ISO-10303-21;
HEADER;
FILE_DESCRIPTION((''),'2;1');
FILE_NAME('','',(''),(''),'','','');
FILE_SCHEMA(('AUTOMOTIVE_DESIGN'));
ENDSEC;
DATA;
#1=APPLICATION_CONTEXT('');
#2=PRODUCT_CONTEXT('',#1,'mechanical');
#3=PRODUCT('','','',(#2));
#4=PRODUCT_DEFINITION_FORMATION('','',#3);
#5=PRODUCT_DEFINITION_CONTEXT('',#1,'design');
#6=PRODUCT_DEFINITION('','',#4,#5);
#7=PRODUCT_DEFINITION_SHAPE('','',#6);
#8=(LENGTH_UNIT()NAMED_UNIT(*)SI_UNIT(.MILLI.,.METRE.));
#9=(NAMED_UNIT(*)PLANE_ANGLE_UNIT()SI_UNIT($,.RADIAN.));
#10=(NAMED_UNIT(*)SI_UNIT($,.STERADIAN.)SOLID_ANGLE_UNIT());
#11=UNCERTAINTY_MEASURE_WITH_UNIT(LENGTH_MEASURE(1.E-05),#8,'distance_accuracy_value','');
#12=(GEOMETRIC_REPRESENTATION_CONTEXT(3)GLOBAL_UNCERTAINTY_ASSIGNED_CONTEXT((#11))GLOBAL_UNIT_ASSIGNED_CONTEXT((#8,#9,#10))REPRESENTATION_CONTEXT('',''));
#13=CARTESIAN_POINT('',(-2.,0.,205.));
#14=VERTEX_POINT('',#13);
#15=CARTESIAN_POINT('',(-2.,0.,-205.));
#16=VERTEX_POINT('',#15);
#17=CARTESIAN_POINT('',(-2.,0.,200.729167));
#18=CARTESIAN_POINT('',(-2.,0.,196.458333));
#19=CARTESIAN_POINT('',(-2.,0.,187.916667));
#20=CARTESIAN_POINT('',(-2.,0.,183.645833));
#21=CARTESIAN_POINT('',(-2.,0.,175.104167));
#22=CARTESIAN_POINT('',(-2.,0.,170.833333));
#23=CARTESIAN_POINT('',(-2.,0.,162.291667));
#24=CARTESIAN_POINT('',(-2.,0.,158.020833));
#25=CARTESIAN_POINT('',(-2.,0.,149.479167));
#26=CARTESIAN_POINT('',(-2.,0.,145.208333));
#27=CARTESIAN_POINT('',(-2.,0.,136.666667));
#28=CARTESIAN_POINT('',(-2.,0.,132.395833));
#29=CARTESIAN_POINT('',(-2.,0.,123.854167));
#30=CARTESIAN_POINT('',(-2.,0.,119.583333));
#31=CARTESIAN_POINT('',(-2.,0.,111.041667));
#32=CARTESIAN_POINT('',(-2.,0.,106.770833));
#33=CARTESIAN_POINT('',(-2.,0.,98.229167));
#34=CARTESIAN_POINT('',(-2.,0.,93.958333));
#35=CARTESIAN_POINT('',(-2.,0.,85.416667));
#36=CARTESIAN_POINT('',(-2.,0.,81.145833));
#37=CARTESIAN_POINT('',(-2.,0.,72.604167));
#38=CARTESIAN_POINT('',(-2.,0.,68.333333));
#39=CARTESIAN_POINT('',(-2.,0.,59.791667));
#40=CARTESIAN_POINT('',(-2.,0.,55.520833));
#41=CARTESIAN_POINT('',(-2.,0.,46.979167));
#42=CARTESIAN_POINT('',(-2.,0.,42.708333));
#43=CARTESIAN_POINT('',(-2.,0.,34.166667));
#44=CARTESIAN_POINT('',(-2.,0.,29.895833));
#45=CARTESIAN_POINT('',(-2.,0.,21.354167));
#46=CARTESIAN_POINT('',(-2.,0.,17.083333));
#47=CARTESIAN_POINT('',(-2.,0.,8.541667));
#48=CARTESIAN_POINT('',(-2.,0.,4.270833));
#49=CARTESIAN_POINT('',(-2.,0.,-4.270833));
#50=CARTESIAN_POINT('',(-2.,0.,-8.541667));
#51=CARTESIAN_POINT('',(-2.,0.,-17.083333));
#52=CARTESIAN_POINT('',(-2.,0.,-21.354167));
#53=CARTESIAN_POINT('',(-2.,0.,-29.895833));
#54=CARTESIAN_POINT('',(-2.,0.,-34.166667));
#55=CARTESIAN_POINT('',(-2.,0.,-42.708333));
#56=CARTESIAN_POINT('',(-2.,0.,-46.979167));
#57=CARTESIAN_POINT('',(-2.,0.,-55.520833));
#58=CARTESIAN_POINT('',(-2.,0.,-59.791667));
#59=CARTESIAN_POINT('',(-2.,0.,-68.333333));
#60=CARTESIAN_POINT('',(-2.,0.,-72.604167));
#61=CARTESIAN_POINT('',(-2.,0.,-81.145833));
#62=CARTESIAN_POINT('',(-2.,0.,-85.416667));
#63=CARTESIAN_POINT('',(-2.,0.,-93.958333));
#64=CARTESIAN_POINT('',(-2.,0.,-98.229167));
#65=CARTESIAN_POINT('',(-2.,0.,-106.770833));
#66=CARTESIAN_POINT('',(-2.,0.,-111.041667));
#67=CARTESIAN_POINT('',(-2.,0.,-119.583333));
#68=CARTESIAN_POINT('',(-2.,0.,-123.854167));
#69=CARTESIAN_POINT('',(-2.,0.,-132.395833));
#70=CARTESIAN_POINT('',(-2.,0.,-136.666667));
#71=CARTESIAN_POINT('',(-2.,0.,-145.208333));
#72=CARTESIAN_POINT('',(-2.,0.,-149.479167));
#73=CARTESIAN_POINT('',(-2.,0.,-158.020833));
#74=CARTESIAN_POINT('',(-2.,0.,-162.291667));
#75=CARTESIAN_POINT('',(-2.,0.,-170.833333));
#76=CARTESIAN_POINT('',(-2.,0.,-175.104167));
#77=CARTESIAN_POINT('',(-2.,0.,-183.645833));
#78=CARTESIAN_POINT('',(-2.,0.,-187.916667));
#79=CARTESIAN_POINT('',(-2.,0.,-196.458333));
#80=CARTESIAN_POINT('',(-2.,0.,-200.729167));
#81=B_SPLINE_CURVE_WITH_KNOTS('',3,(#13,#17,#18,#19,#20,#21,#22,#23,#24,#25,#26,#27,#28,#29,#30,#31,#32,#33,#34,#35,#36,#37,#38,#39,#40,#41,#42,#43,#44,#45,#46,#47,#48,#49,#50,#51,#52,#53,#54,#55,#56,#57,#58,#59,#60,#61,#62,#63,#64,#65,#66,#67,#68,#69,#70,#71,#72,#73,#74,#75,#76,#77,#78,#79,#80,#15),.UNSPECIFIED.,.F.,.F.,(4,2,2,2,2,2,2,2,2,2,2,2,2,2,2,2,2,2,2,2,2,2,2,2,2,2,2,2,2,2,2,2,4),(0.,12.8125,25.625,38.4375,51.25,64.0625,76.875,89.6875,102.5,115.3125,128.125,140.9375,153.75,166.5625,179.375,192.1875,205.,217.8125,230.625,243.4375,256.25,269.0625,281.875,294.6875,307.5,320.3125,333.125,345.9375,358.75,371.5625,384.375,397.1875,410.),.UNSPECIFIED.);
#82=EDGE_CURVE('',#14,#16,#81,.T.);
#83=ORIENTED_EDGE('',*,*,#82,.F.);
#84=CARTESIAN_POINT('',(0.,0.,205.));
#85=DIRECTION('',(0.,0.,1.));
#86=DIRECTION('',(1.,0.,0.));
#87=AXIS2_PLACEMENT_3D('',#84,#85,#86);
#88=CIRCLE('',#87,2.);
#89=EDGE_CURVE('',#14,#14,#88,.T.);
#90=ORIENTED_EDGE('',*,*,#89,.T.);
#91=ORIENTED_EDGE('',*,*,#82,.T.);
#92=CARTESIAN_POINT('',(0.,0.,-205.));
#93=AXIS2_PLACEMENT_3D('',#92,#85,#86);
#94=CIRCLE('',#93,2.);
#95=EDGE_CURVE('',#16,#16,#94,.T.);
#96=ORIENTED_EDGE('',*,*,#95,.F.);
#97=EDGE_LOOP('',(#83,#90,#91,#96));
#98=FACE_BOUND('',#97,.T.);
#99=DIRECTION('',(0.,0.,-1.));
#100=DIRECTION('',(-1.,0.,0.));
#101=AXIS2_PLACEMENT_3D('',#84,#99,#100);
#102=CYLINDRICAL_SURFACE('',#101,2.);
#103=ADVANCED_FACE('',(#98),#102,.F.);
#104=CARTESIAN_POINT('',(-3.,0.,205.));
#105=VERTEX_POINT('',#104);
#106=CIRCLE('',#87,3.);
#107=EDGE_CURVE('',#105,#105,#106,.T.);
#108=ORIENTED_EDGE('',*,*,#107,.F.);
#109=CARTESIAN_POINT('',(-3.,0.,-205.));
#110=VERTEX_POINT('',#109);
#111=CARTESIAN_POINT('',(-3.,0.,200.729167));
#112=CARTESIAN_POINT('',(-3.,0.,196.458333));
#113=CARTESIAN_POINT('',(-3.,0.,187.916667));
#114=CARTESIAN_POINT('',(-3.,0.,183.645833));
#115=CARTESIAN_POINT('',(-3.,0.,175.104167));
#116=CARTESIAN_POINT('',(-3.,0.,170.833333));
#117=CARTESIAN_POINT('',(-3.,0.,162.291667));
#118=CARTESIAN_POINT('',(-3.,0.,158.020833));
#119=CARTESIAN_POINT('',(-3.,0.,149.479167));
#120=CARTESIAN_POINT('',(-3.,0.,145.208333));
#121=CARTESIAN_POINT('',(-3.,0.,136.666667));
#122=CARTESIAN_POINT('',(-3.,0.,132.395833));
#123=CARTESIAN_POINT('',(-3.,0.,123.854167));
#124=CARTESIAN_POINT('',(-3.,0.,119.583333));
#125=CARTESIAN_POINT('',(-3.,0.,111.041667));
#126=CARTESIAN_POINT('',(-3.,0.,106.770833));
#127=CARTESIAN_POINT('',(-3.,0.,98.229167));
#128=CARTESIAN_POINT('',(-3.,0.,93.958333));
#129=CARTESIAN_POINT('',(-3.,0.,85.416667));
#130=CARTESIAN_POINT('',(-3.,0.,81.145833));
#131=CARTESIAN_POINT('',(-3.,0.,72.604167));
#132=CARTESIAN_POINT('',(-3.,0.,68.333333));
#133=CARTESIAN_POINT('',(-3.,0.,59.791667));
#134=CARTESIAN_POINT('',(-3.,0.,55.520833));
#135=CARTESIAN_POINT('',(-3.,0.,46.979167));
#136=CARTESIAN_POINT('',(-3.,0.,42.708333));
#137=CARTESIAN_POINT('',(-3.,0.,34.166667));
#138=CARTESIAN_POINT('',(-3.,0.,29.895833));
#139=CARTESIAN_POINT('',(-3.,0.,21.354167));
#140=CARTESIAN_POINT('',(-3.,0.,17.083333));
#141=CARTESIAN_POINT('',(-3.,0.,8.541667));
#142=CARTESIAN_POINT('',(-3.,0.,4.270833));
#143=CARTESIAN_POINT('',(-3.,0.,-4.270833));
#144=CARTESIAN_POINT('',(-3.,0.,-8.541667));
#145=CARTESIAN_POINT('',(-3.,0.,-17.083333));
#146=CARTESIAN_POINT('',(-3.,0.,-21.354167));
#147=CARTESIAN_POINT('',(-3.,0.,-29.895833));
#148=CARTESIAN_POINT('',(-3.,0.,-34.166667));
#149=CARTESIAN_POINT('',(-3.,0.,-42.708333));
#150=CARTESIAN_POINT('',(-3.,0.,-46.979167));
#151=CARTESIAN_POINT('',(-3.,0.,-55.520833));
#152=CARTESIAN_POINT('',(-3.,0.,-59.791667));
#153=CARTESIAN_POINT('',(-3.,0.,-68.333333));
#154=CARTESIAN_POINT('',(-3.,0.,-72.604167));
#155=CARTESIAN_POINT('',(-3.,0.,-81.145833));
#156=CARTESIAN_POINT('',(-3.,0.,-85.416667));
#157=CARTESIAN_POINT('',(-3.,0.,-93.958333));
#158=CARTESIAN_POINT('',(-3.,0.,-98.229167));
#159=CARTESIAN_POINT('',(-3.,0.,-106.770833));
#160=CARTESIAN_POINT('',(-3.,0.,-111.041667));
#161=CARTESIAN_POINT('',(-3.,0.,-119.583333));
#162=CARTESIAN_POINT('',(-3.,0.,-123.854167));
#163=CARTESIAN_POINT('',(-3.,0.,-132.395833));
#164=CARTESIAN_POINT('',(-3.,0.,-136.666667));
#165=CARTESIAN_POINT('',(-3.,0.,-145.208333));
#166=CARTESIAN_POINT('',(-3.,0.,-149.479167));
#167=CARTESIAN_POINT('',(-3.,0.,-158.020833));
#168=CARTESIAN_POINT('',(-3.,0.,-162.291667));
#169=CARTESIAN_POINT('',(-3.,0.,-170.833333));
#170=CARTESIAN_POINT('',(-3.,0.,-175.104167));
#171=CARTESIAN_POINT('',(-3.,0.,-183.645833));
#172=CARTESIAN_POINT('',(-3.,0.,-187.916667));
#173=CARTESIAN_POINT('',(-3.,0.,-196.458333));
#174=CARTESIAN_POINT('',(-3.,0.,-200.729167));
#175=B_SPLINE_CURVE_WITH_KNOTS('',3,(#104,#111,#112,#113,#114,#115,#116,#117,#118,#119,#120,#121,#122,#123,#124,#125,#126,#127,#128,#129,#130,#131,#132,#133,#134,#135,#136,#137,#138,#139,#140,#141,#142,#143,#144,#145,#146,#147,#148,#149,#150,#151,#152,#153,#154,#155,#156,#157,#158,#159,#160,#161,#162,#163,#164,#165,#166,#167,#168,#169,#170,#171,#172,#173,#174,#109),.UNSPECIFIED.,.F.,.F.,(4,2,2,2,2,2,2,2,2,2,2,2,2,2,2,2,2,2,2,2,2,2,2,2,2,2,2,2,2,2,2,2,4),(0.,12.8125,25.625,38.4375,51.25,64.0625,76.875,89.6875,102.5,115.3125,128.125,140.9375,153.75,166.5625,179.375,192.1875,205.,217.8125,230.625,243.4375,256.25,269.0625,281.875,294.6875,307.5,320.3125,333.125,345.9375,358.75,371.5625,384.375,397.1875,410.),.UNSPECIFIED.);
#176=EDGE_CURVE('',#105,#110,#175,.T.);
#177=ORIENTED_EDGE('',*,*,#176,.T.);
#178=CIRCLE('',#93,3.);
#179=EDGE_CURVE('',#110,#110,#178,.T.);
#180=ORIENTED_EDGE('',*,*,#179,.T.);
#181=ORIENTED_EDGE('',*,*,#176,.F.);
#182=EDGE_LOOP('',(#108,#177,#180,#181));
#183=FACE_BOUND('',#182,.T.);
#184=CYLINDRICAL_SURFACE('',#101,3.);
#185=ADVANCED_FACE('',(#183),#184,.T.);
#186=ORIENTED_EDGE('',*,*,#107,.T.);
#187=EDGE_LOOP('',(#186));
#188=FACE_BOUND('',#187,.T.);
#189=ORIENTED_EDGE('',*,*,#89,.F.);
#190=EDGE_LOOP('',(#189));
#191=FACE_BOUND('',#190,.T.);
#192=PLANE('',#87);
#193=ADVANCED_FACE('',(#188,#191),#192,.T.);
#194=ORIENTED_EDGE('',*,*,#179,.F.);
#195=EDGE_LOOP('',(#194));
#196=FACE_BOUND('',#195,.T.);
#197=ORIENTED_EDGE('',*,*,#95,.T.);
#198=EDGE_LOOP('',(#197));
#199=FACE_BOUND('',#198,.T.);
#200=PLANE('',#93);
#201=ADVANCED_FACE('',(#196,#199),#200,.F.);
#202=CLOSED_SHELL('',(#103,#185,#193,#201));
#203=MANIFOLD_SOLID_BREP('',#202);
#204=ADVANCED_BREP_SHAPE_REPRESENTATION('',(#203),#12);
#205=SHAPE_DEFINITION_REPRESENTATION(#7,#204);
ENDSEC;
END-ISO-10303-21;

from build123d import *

# Parameters (mm, degrees)
SKETCH_1_R      = 3
SKETCH_1_R_2    = 2
EXTRUDE_1_DEPTH = 205


with BuildPart() as part:
    # Эскиз1 → Бобышка-Вытянуть1 (new, symmetric)
    with BuildSketch(Plane.XY):
        with Locations(Location((0, 0, 0), (0, 0, 180))):
            Circle(SKETCH_1_R)
        with Locations(Location((0, 0, 0), (0, 0, 180))):
            Circle(SKETCH_1_R_2, mode=Mode.SUBTRACT)
    extrude(amount=EXTRUDE_1_DEPTH, both=True)


solid = part.part
